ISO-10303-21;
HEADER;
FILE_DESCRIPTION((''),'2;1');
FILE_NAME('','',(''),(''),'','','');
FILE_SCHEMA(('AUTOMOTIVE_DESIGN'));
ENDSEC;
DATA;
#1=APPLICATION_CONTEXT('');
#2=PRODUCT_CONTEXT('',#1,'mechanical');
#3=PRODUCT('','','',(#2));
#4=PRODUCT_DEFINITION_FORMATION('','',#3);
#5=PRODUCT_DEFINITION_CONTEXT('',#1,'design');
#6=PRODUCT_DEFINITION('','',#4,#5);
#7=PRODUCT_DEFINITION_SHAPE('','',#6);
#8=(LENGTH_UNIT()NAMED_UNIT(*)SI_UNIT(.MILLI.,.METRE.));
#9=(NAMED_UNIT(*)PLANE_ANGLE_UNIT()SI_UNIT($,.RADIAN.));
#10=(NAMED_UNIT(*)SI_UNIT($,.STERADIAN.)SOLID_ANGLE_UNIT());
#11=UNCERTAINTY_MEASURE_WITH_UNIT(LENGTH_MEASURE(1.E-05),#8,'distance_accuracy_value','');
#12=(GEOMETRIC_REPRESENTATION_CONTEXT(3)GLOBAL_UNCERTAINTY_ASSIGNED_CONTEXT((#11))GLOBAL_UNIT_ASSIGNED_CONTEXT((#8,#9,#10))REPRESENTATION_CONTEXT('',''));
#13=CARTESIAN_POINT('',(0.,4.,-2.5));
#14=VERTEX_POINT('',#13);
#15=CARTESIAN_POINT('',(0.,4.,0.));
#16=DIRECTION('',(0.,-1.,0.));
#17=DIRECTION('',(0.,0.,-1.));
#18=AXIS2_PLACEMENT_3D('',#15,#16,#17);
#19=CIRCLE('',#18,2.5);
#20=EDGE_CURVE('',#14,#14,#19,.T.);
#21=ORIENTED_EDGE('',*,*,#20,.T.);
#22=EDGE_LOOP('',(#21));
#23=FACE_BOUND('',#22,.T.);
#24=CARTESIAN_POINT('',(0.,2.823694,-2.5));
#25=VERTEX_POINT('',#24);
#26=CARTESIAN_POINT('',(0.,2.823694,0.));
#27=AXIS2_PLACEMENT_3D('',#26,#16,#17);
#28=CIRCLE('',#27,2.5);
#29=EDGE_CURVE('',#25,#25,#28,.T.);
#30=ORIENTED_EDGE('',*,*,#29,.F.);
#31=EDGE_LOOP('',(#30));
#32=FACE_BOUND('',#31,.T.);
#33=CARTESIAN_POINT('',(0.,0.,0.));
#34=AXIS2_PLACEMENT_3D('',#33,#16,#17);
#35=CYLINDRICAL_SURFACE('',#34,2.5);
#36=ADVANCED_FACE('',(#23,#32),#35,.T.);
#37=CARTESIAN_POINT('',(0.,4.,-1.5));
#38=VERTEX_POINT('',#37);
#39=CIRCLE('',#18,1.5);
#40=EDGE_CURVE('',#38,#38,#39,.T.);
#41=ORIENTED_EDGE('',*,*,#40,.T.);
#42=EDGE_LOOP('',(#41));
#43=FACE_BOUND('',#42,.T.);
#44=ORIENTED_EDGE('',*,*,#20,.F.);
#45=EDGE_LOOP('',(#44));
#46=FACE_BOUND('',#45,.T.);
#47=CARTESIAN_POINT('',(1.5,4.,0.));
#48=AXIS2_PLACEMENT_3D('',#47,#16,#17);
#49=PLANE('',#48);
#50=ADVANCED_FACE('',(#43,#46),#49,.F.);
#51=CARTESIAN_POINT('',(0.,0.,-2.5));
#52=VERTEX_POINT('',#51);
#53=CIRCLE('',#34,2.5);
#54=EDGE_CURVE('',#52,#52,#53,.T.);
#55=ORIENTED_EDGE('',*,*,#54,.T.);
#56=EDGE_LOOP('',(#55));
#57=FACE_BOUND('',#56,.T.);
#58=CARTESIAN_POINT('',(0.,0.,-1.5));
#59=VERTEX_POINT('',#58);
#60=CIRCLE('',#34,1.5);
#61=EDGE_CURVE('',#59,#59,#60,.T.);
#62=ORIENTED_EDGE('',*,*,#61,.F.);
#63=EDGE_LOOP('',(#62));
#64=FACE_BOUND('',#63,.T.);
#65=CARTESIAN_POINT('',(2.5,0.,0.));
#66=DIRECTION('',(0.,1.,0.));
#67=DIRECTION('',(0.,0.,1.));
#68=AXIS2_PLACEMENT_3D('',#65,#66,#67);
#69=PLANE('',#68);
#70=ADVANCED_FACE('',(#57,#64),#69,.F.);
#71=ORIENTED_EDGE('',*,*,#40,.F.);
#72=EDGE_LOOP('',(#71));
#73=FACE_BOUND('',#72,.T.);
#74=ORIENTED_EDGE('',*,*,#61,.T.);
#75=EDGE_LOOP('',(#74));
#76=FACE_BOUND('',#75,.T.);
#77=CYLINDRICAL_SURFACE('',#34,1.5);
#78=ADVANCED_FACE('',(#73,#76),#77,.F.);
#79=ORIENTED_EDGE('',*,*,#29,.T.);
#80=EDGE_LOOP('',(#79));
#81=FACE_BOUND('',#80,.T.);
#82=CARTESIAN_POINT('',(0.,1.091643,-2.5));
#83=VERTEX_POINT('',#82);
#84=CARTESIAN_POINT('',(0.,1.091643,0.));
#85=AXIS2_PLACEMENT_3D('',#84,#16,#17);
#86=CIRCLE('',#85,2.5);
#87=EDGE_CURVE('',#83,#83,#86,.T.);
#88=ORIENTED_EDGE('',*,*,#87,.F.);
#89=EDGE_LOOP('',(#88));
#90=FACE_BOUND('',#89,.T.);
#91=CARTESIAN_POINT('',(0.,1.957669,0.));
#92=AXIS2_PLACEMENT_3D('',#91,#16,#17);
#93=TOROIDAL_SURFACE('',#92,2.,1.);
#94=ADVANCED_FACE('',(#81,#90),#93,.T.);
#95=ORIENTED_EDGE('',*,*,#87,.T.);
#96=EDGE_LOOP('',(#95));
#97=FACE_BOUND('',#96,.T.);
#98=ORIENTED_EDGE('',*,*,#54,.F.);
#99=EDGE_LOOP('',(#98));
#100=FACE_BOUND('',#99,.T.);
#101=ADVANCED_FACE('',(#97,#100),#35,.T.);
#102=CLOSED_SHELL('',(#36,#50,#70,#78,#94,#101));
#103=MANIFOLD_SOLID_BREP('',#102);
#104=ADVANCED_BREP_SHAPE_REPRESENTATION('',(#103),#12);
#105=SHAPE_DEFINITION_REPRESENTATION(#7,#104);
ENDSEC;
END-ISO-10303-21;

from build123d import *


with BuildPart() as part:
    # Sketch1 → Revolve1 (revolve)
    with BuildSketch(Plane.XY, mode=Mode.PRIVATE) as revolve1_sk:
        with BuildLine():
            Line((1.5, 0), (1.5, 4))
            Line((1.5, 4), (2.5, 4))
            Line((2.5, 4), (2.5, 2.823694221))
            ThreePointArc((2.5, 2.823694221), (3, 1.957668817), (2.5, 1.091643413))
            Line((2.5, 1.091643413), (2.5, 0))
            Line((2.5, 0), (1.5, 0))
        make_face()
    revolve(revolve1_sk.sketch.rotate(Axis((0, 0, 0), (0, 1, 0)), 90), axis=Axis((0, 0, 0), (0, 1, 0)))


solid = part.part
